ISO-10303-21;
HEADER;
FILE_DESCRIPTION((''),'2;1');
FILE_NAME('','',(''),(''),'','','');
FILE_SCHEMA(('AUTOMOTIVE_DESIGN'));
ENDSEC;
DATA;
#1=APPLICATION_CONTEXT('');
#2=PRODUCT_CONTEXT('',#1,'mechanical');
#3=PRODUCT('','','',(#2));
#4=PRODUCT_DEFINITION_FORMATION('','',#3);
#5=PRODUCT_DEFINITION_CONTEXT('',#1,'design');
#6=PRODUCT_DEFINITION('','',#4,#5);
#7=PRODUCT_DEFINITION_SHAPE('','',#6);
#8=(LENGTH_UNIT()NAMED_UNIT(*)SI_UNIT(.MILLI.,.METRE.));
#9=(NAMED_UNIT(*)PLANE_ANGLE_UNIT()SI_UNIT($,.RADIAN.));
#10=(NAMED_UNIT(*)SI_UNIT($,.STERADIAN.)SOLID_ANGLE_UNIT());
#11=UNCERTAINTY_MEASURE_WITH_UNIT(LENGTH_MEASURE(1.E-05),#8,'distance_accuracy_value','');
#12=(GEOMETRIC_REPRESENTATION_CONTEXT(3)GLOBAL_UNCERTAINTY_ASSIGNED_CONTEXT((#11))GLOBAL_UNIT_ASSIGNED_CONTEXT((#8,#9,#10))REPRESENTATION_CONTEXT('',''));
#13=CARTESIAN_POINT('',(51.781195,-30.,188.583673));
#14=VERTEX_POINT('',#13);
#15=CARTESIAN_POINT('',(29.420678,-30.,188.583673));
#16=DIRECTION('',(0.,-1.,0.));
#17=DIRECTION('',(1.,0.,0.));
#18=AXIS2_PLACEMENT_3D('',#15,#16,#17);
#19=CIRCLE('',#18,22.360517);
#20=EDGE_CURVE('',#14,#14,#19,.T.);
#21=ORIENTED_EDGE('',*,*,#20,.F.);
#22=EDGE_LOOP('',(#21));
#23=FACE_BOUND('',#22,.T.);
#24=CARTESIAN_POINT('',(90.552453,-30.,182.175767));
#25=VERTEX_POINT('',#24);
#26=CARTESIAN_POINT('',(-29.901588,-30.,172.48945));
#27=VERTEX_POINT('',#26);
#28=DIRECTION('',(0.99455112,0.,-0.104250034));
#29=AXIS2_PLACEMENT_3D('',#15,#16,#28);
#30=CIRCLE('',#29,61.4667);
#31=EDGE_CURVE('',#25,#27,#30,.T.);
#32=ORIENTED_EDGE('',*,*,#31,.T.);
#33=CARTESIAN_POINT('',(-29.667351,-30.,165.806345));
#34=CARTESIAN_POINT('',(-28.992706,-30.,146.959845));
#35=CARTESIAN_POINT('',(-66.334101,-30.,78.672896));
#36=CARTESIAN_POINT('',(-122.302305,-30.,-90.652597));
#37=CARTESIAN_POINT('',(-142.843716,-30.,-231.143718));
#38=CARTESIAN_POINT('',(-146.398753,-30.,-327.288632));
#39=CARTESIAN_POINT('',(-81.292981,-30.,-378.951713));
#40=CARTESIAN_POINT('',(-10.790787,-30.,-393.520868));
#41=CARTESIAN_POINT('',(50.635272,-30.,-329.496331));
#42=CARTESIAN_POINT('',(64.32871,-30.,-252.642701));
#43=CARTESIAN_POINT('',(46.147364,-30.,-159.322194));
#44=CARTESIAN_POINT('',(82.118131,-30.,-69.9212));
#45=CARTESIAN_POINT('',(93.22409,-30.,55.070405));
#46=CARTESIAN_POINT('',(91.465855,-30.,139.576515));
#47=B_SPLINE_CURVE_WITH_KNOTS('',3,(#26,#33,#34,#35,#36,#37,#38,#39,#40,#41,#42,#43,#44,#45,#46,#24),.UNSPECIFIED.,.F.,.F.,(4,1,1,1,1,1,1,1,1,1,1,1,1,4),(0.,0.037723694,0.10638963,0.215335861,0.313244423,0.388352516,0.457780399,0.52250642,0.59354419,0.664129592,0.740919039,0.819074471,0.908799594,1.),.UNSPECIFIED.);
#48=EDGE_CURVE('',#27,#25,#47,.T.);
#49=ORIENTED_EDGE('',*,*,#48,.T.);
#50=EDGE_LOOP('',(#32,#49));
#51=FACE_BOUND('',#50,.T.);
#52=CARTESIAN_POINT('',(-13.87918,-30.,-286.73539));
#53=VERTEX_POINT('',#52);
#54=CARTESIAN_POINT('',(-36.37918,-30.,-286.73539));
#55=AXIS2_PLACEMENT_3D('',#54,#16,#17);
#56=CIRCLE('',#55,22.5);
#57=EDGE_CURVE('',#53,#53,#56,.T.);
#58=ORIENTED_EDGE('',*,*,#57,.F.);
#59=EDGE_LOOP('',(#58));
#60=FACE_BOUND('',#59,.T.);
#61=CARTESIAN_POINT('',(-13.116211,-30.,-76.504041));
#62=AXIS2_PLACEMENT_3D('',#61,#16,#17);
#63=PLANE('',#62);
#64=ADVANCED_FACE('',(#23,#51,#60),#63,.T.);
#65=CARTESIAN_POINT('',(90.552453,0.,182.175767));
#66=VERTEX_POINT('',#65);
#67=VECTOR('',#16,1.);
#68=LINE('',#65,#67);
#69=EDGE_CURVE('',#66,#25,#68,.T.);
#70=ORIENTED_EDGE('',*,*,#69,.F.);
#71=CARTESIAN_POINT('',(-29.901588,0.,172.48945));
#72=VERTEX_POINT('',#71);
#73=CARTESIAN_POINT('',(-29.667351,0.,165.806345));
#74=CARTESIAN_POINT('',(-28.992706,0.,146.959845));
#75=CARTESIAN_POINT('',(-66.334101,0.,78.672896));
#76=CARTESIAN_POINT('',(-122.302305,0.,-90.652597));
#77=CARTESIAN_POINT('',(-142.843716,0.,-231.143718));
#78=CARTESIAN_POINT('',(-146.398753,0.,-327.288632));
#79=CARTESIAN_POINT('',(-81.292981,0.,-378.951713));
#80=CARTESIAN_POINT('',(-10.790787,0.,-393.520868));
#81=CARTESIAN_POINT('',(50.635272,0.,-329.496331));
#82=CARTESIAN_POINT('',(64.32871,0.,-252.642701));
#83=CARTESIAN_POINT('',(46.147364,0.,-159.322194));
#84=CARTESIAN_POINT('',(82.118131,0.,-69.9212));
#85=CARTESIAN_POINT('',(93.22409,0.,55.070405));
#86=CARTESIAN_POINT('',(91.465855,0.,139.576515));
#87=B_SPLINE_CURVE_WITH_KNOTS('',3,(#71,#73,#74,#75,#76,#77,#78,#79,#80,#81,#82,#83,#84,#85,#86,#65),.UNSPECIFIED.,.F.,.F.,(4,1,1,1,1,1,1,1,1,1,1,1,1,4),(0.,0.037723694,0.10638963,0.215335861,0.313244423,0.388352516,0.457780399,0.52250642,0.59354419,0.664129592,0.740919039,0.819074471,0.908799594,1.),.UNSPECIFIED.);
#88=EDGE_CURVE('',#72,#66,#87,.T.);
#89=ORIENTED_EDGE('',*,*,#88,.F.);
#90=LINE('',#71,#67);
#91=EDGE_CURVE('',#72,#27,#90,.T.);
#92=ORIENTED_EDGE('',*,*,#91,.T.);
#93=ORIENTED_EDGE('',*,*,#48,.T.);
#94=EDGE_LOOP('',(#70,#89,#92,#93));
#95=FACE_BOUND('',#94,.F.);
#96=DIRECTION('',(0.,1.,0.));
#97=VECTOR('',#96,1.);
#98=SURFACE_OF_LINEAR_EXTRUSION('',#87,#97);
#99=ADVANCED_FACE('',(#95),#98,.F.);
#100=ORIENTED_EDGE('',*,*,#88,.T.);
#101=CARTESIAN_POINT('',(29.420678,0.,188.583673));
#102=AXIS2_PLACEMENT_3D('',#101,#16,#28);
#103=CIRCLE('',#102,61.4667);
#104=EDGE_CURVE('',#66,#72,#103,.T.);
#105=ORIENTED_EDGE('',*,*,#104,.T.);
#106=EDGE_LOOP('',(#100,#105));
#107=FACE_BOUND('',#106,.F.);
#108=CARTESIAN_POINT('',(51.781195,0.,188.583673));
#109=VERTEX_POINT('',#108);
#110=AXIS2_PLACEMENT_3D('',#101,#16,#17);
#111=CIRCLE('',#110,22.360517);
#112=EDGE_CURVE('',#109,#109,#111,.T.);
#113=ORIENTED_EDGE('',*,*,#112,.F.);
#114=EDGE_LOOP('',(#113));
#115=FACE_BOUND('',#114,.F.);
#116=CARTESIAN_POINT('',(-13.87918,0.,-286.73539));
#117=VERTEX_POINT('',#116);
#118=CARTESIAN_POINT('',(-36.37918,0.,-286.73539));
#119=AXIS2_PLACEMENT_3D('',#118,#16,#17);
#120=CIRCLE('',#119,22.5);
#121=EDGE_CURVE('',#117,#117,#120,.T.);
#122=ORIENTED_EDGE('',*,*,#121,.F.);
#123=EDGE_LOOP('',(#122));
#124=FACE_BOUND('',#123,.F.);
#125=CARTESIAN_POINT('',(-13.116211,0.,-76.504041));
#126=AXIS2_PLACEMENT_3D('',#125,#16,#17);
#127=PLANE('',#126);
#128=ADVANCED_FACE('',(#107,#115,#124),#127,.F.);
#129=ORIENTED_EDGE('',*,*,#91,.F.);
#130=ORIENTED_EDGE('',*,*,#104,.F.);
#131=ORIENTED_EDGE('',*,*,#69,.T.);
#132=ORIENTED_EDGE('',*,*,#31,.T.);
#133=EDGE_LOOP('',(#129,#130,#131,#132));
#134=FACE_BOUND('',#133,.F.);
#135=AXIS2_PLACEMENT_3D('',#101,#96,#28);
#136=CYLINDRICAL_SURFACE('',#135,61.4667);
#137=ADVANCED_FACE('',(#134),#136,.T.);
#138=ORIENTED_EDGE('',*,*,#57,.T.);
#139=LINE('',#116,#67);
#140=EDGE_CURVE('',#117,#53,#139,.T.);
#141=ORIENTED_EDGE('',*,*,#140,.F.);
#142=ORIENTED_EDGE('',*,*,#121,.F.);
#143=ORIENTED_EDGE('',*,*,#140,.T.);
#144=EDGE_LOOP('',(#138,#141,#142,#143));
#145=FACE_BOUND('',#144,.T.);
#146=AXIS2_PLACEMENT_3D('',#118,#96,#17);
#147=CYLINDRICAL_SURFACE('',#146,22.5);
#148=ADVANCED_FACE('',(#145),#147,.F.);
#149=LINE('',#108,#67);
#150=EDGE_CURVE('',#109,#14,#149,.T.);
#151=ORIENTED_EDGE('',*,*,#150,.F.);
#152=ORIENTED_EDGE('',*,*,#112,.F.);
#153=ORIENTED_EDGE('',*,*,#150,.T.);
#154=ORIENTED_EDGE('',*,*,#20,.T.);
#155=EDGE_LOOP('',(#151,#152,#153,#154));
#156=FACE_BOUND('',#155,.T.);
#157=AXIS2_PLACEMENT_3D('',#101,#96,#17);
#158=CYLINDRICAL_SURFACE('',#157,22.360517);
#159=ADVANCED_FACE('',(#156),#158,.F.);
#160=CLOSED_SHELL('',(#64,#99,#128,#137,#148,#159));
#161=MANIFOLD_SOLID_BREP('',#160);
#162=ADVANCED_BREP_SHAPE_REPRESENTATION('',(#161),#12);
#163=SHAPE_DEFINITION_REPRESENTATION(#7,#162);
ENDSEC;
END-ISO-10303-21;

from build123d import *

# Parameters (mm, degrees)
F0_R     = 1.5
F0_R_2   = 1.4907011494
F1_DEPTH = 2
F2_SCALE = 10
F3_SCALE = 1.5


with BuildPart() as f1:
    # F0 (on Front) → F1 (new body)
    with BuildSketch(Plane.XZ):
        with BuildLine():
            add(Edge.make_bspline(
                [(-1.9934392246, 11.4992966521), (-1.9778234301, 11.0537563596), (-1.9328470707, 9.7973229862), (-4.422273433, 5.2448597233), (-8.1534869757, -6.0435064999), (-9.5229144274, -15.4095811785), (-9.7599168494, -21.8192421108), (-5.4195320689, -25.2634475295), (-0.7193857979, -26.2347245509), (3.3756847982, -21.9664220535), (4.2885806901, -16.8428467126), (3.076490926, -10.6214796155), (5.4745420866, -4.6614133554), (6.2149393158, 3.6713603152), (6.0977236967, 9.3051010181), (6.0368302276, 12.1450511591)],
                knots=[0, 0, 0, 0, 0.0377236944, 0.1063896299, 0.2153358607, 0.3132444228, 0.3883525159, 0.4577803987, 0.5225064202, 0.59354419, 0.6641295917, 0.7409190394, 0.8190744706, 0.9087995942, 1, 1, 1, 1], degree=3))
            ThreePointArc((6.0368302276, 12.1450511591), (1.6329156335, 16.6568395007), (-1.9934392246, 11.4992966521))
        make_face()
        with Locations((-2.4252786789, -19.1156926827)):
            Circle(F0_R, mode=Mode.SUBTRACT)
        with Locations((1.9613785088, 12.5722448676)):
            Circle(F0_R_2, mode=Mode.SUBTRACT)
    extrude(amount=F1_DEPTH)


with BuildPart() as f1_1:
    # F2: moved
    add(f1.part.scale(F2_SCALE))


with BuildPart() as f1_2:
    # F3: moved
    add(f1_1.part.scale(F3_SCALE))


solid = f1_2.part
